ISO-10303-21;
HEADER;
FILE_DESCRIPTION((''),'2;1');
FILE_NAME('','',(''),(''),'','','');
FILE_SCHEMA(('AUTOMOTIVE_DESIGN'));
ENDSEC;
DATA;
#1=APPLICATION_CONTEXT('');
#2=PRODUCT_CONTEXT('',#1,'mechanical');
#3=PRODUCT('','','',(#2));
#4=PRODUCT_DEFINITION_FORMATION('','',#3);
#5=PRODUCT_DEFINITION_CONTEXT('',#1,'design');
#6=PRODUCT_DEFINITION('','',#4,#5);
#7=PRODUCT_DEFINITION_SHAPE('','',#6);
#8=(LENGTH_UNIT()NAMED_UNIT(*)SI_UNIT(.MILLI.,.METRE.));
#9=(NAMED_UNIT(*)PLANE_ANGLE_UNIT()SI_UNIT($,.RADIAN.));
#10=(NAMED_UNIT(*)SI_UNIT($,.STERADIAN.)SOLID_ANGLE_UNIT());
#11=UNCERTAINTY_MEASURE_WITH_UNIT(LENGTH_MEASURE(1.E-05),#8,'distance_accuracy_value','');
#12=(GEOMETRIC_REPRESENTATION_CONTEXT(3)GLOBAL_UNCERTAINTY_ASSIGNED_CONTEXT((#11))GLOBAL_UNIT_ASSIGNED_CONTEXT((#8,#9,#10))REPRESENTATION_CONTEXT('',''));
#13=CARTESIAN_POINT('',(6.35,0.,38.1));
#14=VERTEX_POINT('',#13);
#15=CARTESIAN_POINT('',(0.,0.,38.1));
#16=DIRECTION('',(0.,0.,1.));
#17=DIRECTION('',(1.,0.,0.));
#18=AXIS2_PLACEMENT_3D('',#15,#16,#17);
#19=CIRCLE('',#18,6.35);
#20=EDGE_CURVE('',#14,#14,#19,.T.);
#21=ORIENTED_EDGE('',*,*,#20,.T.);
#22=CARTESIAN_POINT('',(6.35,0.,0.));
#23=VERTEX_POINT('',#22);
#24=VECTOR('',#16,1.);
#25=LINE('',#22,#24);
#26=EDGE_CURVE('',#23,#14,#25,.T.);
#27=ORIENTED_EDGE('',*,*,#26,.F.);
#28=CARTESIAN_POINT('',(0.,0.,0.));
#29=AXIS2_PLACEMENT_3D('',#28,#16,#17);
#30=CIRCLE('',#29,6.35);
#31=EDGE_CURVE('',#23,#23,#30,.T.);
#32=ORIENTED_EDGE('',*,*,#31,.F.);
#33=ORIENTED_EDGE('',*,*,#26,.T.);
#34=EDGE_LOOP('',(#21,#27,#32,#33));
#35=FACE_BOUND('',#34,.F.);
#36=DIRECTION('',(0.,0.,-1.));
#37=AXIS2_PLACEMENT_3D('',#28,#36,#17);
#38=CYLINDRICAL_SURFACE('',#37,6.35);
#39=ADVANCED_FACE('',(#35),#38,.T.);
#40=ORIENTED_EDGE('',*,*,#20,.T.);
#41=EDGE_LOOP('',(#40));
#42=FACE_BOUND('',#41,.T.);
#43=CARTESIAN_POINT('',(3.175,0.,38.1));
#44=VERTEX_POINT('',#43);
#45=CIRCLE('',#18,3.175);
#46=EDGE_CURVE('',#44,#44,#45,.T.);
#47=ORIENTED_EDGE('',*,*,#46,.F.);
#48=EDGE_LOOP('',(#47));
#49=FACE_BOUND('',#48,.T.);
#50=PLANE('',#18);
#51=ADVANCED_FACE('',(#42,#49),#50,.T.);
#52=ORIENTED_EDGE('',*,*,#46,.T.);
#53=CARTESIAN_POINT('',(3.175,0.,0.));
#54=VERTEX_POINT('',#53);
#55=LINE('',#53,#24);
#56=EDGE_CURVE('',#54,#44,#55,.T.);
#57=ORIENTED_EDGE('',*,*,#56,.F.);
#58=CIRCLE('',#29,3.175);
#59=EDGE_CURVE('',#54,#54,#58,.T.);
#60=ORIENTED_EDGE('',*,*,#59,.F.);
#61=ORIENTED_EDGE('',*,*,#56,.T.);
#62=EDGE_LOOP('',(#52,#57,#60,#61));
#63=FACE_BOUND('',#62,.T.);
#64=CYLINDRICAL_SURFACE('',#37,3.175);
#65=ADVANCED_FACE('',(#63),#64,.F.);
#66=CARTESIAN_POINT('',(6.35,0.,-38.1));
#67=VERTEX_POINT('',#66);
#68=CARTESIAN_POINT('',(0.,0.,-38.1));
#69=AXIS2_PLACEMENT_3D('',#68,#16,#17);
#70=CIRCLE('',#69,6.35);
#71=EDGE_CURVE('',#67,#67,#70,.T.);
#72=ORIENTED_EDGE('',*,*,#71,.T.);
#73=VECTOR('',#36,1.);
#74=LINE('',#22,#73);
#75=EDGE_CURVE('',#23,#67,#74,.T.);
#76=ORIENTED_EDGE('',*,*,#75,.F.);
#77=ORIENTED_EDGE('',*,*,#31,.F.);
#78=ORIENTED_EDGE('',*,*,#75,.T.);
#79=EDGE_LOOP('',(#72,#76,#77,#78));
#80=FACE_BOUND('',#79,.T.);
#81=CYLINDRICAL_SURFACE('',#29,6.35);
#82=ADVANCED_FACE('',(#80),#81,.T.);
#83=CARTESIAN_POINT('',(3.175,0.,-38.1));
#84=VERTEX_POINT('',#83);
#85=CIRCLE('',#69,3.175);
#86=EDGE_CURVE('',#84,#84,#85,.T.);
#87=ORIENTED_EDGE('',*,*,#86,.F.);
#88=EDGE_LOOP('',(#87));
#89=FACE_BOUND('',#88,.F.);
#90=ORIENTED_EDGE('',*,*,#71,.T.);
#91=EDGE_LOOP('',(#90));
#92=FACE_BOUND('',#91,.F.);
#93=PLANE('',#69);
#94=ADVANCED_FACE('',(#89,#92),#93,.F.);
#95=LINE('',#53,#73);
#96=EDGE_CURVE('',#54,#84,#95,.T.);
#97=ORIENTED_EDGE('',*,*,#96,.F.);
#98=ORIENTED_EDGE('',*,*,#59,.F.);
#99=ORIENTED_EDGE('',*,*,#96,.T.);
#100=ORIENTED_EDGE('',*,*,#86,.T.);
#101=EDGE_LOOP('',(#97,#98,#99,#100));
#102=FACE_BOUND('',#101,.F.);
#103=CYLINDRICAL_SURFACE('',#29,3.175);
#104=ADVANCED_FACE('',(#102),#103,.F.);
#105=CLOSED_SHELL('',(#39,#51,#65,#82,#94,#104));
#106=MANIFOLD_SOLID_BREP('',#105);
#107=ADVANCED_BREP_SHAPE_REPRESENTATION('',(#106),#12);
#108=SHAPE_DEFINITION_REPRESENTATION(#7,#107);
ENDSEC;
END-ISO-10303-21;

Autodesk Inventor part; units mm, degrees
ref_plane "YZ Plane" through (0, 0, 0) normal (1, 0, 0) x (0, 1, 0)
ref_plane "XZ Plane" through (0, 0, 0) normal (0, 1, 0) x (-1, 0, 0)
ref_plane "XY Plane" through (0, 0, 0) normal (0, 0, 1) x (1, 0, 0)
sketch "Sketch1" plane through (0, 0, 0) normal (0, 0, 1) x (1, 0, 0)
  circle A0 centre (0, 0) radius 6.35
  circle A1 centre (0, 0) radius 3.175
  dimension "d0" = 12.7
  dimension "d1" = 6.35
extrude "Extrusion1" add sketch "Sketch1" along normal mid plane 76.2
properties part number "Tube Axle 3 in" material "Aluminum 6061"
